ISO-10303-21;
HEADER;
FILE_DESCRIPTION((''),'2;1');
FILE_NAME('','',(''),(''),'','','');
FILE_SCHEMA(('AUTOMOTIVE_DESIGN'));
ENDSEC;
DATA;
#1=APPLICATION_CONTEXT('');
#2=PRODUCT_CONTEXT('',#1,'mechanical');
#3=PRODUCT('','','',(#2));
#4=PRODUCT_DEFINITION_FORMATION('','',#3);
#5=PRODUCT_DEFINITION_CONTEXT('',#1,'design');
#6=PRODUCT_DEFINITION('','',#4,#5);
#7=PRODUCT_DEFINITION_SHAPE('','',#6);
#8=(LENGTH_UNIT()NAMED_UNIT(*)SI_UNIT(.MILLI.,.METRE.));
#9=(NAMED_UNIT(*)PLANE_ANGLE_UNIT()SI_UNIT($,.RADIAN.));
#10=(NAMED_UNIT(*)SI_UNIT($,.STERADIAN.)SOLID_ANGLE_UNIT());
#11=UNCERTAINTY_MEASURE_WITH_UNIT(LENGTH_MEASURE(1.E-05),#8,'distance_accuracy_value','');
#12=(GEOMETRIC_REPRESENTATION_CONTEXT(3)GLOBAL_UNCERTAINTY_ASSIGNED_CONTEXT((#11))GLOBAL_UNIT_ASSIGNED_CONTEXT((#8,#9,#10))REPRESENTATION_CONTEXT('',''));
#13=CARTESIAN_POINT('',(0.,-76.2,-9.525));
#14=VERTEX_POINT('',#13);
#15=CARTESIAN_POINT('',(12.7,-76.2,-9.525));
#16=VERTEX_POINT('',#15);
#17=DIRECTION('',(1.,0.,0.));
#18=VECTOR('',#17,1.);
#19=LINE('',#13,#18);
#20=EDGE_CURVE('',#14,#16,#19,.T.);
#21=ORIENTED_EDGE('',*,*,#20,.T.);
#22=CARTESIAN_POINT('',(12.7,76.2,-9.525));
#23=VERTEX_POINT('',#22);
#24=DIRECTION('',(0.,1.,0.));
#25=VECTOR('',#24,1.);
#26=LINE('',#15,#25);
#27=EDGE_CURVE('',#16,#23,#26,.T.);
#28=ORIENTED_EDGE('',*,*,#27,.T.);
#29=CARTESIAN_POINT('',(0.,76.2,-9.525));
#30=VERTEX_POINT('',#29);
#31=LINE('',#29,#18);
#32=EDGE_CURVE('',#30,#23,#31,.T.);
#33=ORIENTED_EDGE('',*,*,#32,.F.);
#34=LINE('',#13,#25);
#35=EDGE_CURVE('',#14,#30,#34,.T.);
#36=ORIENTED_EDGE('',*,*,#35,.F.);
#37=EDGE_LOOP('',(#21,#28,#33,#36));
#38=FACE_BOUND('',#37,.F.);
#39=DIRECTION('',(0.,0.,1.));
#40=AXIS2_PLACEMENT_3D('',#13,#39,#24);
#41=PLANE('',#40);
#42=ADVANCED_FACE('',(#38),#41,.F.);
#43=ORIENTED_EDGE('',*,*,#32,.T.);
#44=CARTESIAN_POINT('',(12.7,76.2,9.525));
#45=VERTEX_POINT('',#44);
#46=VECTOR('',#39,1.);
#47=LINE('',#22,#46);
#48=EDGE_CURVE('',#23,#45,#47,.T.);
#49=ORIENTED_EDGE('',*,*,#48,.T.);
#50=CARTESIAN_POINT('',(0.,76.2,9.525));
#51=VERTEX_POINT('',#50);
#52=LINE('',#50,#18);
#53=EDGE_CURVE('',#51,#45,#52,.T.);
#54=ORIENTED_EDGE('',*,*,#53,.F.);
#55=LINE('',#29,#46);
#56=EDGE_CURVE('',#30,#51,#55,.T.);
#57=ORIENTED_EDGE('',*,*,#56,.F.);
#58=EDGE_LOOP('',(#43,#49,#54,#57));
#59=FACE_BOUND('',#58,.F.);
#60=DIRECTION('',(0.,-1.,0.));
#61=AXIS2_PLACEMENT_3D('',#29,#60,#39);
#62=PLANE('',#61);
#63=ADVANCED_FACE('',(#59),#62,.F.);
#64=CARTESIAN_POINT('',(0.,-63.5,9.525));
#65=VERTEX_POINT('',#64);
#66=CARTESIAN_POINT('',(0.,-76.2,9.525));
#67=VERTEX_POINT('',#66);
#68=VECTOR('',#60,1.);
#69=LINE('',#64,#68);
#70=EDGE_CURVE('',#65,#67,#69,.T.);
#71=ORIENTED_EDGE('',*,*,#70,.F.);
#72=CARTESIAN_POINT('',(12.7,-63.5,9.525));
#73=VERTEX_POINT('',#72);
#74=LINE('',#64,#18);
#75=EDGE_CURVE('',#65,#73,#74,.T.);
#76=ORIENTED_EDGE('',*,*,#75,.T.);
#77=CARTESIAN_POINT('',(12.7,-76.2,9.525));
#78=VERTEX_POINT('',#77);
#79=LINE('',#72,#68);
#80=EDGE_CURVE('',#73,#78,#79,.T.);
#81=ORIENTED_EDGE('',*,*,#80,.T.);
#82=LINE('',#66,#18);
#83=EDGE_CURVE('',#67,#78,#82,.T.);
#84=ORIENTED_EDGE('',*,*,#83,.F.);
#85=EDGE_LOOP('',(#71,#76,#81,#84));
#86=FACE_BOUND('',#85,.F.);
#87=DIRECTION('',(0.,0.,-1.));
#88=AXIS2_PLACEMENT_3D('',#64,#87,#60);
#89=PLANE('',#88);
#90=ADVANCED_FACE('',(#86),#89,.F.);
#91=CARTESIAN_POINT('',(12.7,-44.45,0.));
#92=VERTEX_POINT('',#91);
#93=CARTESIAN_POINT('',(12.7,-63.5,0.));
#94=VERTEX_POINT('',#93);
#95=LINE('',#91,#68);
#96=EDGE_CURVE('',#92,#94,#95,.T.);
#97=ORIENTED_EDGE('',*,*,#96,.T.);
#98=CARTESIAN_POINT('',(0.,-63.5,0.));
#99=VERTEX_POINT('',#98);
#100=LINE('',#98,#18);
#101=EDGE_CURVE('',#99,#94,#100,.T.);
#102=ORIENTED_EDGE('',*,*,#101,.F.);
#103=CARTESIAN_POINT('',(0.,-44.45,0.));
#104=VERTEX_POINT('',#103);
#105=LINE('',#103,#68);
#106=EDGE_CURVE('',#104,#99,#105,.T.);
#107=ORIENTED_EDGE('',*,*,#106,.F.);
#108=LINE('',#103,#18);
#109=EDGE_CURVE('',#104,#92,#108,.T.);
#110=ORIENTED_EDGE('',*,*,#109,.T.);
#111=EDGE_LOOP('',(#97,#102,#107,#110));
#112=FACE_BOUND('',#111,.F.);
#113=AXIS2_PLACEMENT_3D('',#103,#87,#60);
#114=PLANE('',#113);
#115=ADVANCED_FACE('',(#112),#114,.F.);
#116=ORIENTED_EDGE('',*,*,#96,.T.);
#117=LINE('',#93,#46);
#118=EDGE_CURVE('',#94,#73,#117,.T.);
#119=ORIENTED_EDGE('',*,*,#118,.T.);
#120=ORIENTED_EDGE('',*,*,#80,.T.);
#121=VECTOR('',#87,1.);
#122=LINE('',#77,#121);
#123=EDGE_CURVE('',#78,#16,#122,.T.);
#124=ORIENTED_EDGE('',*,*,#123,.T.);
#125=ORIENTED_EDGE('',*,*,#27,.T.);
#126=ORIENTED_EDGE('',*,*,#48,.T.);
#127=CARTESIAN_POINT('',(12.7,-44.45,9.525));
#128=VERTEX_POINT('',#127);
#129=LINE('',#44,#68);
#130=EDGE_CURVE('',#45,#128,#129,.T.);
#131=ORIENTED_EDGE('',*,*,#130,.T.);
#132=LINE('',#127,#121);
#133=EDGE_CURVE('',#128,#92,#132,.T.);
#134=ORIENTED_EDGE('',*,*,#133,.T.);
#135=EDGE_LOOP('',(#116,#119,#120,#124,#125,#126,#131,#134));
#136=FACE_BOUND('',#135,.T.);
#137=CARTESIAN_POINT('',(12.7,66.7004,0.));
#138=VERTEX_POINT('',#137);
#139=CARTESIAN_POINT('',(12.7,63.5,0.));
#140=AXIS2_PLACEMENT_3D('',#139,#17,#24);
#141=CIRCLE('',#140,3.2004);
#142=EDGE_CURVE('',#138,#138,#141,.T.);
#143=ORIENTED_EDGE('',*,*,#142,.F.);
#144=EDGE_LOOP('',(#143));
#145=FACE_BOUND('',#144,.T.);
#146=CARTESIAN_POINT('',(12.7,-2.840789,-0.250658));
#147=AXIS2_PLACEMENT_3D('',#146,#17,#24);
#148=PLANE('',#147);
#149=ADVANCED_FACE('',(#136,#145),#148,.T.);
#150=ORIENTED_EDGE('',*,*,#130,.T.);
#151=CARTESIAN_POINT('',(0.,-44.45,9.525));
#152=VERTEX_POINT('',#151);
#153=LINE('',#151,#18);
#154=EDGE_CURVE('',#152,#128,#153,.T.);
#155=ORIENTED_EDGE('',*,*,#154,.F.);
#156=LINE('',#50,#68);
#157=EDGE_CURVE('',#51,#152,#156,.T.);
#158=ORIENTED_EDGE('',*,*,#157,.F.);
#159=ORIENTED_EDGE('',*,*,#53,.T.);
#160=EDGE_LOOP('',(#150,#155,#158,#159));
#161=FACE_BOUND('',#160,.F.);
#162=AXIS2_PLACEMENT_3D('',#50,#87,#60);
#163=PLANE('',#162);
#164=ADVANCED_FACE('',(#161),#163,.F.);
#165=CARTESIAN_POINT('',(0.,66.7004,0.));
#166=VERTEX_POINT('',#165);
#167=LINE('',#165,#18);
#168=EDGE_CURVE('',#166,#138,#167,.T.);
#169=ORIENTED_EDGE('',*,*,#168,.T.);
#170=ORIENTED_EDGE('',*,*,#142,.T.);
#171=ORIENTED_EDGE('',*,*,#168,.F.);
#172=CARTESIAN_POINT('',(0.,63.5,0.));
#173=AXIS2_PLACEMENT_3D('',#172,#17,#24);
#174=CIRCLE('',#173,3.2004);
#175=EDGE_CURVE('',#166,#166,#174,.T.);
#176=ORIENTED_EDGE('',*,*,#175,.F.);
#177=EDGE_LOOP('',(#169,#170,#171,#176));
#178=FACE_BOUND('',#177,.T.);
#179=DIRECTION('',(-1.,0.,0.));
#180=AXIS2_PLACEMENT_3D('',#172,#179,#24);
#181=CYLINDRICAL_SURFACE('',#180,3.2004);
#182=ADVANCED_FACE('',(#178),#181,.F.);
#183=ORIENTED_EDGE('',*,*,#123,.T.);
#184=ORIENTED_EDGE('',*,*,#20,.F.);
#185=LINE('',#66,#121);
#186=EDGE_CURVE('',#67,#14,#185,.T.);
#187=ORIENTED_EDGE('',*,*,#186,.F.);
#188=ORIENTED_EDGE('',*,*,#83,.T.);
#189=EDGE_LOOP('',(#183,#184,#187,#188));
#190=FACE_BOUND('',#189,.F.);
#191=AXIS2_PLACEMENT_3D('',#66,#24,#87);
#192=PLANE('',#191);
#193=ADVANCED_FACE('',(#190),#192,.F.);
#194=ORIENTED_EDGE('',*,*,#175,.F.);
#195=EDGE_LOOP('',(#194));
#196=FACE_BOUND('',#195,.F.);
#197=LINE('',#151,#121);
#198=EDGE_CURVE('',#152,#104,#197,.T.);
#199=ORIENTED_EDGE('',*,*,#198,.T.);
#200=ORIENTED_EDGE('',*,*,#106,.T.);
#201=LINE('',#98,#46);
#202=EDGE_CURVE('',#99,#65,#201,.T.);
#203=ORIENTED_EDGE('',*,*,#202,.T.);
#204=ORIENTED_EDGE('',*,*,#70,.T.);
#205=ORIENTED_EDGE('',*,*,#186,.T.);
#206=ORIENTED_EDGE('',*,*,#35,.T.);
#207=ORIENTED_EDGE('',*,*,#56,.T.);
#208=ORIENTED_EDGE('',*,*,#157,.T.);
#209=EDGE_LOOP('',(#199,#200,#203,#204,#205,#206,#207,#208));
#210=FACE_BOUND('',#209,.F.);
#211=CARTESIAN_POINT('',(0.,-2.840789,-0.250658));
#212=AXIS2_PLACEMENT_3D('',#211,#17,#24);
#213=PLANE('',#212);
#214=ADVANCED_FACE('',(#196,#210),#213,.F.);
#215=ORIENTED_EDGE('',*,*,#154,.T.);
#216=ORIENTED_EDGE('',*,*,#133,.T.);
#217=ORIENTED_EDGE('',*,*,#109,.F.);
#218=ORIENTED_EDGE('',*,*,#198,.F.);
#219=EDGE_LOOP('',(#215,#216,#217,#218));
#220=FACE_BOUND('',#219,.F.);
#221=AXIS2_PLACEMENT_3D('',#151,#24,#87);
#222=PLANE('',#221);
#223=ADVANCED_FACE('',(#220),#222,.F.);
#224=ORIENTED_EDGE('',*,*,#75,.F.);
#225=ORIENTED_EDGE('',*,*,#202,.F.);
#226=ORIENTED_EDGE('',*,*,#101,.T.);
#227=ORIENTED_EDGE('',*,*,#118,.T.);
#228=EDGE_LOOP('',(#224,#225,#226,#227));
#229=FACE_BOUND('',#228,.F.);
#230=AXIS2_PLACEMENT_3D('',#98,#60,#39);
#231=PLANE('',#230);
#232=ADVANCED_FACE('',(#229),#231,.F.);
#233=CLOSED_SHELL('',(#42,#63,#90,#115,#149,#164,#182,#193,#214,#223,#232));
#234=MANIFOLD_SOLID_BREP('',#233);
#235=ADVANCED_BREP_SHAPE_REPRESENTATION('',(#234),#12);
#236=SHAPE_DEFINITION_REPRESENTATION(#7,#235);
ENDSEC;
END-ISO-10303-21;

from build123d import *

# Parameters (mm, degrees)
F0_R     = 3.2004
F1_DEPTH = 12.7


with BuildPart() as f1:
    # F0 (on Right) → F1 (new body)
    with BuildSketch(Plane.YZ):
        Polygon((76.2, -9.525), (76.2, 9.525), (-44.45, 9.525), (-44.45, 0), (-63.5, 0), (-63.5, 9.525), (-76.2, 9.525), (-76.2, -9.525), align=None)
        with Locations((63.5, 0)):
            Circle(F0_R, mode=Mode.SUBTRACT)
    extrude(amount=F1_DEPTH)


solid = f1.part
